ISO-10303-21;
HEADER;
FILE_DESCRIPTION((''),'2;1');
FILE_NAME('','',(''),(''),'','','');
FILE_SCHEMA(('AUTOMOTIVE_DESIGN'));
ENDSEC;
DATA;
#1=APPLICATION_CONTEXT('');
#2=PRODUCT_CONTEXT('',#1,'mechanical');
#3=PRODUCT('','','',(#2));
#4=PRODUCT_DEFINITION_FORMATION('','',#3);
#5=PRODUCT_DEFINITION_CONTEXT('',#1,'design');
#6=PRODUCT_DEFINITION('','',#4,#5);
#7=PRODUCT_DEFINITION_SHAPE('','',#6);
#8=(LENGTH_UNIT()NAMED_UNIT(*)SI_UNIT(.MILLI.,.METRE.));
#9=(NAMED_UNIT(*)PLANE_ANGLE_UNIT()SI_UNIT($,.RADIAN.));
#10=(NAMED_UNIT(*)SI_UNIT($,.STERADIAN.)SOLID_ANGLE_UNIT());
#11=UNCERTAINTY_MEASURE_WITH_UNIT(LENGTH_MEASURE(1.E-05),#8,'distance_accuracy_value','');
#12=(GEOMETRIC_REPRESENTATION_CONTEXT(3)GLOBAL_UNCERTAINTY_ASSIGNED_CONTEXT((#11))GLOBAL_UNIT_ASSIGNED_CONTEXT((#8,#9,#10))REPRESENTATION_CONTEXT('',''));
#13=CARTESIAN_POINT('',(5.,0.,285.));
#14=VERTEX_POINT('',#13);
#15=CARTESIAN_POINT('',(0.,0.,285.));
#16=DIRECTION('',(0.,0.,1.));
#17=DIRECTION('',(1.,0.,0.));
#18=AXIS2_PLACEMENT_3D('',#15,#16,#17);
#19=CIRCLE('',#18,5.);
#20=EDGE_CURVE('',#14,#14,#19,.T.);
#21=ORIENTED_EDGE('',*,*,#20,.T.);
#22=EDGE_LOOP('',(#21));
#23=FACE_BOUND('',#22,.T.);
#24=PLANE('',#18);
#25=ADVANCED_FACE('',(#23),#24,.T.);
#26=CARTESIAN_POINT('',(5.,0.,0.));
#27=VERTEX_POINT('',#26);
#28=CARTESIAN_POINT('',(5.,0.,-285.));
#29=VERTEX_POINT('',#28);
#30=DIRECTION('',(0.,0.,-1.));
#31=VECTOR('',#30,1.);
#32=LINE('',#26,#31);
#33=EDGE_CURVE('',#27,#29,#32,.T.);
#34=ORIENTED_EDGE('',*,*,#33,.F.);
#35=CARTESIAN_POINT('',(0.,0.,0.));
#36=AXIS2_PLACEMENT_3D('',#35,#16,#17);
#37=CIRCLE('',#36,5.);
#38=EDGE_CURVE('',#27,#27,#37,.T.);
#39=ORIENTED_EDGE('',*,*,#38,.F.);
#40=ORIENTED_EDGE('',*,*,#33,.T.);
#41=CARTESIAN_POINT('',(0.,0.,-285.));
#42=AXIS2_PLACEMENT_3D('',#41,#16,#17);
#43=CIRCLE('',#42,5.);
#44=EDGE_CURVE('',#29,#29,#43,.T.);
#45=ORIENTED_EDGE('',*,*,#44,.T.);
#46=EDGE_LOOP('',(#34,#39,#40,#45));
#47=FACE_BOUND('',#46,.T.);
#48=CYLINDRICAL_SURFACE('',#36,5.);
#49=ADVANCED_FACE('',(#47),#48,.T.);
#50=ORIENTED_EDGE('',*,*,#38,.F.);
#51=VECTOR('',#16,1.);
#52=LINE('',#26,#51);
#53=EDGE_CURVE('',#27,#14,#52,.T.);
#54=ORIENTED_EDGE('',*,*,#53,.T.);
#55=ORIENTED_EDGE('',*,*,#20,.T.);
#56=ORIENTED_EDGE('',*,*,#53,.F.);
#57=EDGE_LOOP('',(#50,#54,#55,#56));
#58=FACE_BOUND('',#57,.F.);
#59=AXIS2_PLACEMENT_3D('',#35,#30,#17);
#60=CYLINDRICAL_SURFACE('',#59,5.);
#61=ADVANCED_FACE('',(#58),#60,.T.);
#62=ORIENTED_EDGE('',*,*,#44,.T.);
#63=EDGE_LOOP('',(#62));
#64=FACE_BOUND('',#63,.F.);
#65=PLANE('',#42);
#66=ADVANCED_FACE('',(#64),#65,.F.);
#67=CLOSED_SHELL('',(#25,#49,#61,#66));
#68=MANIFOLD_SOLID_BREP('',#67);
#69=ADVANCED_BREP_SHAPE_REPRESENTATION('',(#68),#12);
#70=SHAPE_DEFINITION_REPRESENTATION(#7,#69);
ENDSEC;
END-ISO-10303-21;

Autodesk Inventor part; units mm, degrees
ref_plane "YZ Plane" through (0, 0, 0) normal (1, 0, 0) x (0, 1, 0)
ref_plane "XZ Plane" through (0, 0, 0) normal (0, 1, 0) x (-1, 0, 0)
ref_plane "XY Plane" through (0, 0, 0) normal (0, 0, 1) x (1, 0, 0)
sketch "Sketch1" plane through (0, 0, 0) normal (0, 0, 1) x (1, 0, 0)
  circle A0 centre (0, 0) radius 5
  dimension "d0" = 10
extrude "Extrusion1" add sketch "Sketch1" along normal mid plane 570
properties part number "0008-10-1008 Bara 10_V1" material "Steel"
